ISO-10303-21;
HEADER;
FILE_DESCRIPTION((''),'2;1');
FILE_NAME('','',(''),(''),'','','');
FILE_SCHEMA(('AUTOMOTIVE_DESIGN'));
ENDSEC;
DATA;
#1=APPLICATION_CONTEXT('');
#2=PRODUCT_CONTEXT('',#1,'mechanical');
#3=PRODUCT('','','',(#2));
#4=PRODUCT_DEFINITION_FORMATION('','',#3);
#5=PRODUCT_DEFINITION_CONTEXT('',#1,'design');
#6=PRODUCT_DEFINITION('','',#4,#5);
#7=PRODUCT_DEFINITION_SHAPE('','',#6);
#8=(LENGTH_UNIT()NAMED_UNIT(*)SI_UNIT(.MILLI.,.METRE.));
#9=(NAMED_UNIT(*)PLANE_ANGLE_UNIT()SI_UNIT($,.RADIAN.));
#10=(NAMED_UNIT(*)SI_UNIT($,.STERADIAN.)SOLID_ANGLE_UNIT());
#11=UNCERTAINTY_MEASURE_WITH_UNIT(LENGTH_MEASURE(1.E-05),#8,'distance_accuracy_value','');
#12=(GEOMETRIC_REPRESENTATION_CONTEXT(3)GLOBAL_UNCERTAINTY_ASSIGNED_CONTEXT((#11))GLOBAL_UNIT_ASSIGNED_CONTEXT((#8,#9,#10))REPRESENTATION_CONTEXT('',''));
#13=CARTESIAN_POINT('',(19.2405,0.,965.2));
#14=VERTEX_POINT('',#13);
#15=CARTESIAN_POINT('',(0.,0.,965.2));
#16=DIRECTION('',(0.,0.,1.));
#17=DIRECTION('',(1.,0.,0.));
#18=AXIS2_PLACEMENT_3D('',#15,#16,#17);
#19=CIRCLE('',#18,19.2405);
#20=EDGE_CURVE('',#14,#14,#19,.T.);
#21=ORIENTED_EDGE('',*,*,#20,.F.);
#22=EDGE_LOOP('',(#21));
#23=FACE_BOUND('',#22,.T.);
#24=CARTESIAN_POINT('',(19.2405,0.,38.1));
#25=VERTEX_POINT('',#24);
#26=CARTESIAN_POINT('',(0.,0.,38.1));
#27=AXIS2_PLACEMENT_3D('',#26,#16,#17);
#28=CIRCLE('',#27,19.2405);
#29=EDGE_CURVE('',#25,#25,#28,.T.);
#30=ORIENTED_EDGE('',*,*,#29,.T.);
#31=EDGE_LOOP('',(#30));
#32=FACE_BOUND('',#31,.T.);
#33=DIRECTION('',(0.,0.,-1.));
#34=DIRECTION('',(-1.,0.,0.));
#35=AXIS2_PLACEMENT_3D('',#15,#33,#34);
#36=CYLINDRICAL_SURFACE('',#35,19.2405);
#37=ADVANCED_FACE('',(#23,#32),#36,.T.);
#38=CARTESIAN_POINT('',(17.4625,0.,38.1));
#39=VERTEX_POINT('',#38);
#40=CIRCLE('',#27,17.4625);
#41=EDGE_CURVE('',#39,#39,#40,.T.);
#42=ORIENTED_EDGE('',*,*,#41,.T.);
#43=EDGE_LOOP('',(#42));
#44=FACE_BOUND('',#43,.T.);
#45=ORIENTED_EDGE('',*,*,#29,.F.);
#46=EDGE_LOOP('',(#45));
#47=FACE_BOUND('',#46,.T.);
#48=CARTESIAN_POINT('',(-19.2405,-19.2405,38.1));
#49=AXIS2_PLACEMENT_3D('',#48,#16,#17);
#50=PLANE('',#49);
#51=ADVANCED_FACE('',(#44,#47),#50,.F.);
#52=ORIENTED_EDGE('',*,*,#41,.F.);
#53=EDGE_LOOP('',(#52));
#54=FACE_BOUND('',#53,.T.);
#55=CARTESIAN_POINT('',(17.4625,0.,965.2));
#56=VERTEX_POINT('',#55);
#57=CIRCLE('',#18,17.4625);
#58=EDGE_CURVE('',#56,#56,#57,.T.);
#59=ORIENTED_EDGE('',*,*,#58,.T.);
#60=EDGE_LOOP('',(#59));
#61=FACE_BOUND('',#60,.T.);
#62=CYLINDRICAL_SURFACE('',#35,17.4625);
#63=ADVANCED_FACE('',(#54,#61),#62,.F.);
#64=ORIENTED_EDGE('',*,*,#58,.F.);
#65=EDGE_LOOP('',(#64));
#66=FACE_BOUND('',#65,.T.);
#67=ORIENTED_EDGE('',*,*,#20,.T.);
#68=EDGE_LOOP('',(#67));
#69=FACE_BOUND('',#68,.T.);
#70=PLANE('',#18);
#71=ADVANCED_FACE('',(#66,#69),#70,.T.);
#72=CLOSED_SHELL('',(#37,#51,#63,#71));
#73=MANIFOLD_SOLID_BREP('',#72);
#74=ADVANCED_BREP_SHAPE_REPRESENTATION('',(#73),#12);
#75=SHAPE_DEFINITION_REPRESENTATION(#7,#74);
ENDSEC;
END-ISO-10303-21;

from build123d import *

# Parameters (mm, degrees)
ESQUISSE1_R                  = 19.2405
ESQUISSE1_R_2                = 17.4625
BOSS_EXTRU_1_DEPTH           = 965.2
ENL_V_MAT_EXTRU_1_DEPTH      = 966.583468003
ENL_V_MAT_EXTRU_1_DEPTH_BACK = 966.583468003
ESQUISSE2_W                  = 38.481
ESQUISSE2_H                  = 38.1


with BuildPart() as part:
    # Esquisse1 → Boss.-Extru.1 (new body)
    with BuildSketch(Plane.XY):
        Circle(ESQUISSE1_R)
        Circle(ESQUISSE1_R_2, mode=Mode.SUBTRACT)
    extrude(amount=BOSS_EXTRU_1_DEPTH)

    # Esquisse2 → Enlèv. mat.-Extru.1 (cut, two sides: drawn at the far end of the back side and taken through both)
    with BuildSketch(Plane(origin=(0, 0, 0), x_dir=(1, 0, 0), z_dir=(0, 1, 0)).offset(-ENL_V_MAT_EXTRU_1_DEPTH_BACK)):
        with Locations((0, -19.05)):
            Rectangle(ESQUISSE2_W, ESQUISSE2_H)
    extrude(amount=ENL_V_MAT_EXTRU_1_DEPTH + ENL_V_MAT_EXTRU_1_DEPTH_BACK, mode=Mode.SUBTRACT)


solid = part.part
